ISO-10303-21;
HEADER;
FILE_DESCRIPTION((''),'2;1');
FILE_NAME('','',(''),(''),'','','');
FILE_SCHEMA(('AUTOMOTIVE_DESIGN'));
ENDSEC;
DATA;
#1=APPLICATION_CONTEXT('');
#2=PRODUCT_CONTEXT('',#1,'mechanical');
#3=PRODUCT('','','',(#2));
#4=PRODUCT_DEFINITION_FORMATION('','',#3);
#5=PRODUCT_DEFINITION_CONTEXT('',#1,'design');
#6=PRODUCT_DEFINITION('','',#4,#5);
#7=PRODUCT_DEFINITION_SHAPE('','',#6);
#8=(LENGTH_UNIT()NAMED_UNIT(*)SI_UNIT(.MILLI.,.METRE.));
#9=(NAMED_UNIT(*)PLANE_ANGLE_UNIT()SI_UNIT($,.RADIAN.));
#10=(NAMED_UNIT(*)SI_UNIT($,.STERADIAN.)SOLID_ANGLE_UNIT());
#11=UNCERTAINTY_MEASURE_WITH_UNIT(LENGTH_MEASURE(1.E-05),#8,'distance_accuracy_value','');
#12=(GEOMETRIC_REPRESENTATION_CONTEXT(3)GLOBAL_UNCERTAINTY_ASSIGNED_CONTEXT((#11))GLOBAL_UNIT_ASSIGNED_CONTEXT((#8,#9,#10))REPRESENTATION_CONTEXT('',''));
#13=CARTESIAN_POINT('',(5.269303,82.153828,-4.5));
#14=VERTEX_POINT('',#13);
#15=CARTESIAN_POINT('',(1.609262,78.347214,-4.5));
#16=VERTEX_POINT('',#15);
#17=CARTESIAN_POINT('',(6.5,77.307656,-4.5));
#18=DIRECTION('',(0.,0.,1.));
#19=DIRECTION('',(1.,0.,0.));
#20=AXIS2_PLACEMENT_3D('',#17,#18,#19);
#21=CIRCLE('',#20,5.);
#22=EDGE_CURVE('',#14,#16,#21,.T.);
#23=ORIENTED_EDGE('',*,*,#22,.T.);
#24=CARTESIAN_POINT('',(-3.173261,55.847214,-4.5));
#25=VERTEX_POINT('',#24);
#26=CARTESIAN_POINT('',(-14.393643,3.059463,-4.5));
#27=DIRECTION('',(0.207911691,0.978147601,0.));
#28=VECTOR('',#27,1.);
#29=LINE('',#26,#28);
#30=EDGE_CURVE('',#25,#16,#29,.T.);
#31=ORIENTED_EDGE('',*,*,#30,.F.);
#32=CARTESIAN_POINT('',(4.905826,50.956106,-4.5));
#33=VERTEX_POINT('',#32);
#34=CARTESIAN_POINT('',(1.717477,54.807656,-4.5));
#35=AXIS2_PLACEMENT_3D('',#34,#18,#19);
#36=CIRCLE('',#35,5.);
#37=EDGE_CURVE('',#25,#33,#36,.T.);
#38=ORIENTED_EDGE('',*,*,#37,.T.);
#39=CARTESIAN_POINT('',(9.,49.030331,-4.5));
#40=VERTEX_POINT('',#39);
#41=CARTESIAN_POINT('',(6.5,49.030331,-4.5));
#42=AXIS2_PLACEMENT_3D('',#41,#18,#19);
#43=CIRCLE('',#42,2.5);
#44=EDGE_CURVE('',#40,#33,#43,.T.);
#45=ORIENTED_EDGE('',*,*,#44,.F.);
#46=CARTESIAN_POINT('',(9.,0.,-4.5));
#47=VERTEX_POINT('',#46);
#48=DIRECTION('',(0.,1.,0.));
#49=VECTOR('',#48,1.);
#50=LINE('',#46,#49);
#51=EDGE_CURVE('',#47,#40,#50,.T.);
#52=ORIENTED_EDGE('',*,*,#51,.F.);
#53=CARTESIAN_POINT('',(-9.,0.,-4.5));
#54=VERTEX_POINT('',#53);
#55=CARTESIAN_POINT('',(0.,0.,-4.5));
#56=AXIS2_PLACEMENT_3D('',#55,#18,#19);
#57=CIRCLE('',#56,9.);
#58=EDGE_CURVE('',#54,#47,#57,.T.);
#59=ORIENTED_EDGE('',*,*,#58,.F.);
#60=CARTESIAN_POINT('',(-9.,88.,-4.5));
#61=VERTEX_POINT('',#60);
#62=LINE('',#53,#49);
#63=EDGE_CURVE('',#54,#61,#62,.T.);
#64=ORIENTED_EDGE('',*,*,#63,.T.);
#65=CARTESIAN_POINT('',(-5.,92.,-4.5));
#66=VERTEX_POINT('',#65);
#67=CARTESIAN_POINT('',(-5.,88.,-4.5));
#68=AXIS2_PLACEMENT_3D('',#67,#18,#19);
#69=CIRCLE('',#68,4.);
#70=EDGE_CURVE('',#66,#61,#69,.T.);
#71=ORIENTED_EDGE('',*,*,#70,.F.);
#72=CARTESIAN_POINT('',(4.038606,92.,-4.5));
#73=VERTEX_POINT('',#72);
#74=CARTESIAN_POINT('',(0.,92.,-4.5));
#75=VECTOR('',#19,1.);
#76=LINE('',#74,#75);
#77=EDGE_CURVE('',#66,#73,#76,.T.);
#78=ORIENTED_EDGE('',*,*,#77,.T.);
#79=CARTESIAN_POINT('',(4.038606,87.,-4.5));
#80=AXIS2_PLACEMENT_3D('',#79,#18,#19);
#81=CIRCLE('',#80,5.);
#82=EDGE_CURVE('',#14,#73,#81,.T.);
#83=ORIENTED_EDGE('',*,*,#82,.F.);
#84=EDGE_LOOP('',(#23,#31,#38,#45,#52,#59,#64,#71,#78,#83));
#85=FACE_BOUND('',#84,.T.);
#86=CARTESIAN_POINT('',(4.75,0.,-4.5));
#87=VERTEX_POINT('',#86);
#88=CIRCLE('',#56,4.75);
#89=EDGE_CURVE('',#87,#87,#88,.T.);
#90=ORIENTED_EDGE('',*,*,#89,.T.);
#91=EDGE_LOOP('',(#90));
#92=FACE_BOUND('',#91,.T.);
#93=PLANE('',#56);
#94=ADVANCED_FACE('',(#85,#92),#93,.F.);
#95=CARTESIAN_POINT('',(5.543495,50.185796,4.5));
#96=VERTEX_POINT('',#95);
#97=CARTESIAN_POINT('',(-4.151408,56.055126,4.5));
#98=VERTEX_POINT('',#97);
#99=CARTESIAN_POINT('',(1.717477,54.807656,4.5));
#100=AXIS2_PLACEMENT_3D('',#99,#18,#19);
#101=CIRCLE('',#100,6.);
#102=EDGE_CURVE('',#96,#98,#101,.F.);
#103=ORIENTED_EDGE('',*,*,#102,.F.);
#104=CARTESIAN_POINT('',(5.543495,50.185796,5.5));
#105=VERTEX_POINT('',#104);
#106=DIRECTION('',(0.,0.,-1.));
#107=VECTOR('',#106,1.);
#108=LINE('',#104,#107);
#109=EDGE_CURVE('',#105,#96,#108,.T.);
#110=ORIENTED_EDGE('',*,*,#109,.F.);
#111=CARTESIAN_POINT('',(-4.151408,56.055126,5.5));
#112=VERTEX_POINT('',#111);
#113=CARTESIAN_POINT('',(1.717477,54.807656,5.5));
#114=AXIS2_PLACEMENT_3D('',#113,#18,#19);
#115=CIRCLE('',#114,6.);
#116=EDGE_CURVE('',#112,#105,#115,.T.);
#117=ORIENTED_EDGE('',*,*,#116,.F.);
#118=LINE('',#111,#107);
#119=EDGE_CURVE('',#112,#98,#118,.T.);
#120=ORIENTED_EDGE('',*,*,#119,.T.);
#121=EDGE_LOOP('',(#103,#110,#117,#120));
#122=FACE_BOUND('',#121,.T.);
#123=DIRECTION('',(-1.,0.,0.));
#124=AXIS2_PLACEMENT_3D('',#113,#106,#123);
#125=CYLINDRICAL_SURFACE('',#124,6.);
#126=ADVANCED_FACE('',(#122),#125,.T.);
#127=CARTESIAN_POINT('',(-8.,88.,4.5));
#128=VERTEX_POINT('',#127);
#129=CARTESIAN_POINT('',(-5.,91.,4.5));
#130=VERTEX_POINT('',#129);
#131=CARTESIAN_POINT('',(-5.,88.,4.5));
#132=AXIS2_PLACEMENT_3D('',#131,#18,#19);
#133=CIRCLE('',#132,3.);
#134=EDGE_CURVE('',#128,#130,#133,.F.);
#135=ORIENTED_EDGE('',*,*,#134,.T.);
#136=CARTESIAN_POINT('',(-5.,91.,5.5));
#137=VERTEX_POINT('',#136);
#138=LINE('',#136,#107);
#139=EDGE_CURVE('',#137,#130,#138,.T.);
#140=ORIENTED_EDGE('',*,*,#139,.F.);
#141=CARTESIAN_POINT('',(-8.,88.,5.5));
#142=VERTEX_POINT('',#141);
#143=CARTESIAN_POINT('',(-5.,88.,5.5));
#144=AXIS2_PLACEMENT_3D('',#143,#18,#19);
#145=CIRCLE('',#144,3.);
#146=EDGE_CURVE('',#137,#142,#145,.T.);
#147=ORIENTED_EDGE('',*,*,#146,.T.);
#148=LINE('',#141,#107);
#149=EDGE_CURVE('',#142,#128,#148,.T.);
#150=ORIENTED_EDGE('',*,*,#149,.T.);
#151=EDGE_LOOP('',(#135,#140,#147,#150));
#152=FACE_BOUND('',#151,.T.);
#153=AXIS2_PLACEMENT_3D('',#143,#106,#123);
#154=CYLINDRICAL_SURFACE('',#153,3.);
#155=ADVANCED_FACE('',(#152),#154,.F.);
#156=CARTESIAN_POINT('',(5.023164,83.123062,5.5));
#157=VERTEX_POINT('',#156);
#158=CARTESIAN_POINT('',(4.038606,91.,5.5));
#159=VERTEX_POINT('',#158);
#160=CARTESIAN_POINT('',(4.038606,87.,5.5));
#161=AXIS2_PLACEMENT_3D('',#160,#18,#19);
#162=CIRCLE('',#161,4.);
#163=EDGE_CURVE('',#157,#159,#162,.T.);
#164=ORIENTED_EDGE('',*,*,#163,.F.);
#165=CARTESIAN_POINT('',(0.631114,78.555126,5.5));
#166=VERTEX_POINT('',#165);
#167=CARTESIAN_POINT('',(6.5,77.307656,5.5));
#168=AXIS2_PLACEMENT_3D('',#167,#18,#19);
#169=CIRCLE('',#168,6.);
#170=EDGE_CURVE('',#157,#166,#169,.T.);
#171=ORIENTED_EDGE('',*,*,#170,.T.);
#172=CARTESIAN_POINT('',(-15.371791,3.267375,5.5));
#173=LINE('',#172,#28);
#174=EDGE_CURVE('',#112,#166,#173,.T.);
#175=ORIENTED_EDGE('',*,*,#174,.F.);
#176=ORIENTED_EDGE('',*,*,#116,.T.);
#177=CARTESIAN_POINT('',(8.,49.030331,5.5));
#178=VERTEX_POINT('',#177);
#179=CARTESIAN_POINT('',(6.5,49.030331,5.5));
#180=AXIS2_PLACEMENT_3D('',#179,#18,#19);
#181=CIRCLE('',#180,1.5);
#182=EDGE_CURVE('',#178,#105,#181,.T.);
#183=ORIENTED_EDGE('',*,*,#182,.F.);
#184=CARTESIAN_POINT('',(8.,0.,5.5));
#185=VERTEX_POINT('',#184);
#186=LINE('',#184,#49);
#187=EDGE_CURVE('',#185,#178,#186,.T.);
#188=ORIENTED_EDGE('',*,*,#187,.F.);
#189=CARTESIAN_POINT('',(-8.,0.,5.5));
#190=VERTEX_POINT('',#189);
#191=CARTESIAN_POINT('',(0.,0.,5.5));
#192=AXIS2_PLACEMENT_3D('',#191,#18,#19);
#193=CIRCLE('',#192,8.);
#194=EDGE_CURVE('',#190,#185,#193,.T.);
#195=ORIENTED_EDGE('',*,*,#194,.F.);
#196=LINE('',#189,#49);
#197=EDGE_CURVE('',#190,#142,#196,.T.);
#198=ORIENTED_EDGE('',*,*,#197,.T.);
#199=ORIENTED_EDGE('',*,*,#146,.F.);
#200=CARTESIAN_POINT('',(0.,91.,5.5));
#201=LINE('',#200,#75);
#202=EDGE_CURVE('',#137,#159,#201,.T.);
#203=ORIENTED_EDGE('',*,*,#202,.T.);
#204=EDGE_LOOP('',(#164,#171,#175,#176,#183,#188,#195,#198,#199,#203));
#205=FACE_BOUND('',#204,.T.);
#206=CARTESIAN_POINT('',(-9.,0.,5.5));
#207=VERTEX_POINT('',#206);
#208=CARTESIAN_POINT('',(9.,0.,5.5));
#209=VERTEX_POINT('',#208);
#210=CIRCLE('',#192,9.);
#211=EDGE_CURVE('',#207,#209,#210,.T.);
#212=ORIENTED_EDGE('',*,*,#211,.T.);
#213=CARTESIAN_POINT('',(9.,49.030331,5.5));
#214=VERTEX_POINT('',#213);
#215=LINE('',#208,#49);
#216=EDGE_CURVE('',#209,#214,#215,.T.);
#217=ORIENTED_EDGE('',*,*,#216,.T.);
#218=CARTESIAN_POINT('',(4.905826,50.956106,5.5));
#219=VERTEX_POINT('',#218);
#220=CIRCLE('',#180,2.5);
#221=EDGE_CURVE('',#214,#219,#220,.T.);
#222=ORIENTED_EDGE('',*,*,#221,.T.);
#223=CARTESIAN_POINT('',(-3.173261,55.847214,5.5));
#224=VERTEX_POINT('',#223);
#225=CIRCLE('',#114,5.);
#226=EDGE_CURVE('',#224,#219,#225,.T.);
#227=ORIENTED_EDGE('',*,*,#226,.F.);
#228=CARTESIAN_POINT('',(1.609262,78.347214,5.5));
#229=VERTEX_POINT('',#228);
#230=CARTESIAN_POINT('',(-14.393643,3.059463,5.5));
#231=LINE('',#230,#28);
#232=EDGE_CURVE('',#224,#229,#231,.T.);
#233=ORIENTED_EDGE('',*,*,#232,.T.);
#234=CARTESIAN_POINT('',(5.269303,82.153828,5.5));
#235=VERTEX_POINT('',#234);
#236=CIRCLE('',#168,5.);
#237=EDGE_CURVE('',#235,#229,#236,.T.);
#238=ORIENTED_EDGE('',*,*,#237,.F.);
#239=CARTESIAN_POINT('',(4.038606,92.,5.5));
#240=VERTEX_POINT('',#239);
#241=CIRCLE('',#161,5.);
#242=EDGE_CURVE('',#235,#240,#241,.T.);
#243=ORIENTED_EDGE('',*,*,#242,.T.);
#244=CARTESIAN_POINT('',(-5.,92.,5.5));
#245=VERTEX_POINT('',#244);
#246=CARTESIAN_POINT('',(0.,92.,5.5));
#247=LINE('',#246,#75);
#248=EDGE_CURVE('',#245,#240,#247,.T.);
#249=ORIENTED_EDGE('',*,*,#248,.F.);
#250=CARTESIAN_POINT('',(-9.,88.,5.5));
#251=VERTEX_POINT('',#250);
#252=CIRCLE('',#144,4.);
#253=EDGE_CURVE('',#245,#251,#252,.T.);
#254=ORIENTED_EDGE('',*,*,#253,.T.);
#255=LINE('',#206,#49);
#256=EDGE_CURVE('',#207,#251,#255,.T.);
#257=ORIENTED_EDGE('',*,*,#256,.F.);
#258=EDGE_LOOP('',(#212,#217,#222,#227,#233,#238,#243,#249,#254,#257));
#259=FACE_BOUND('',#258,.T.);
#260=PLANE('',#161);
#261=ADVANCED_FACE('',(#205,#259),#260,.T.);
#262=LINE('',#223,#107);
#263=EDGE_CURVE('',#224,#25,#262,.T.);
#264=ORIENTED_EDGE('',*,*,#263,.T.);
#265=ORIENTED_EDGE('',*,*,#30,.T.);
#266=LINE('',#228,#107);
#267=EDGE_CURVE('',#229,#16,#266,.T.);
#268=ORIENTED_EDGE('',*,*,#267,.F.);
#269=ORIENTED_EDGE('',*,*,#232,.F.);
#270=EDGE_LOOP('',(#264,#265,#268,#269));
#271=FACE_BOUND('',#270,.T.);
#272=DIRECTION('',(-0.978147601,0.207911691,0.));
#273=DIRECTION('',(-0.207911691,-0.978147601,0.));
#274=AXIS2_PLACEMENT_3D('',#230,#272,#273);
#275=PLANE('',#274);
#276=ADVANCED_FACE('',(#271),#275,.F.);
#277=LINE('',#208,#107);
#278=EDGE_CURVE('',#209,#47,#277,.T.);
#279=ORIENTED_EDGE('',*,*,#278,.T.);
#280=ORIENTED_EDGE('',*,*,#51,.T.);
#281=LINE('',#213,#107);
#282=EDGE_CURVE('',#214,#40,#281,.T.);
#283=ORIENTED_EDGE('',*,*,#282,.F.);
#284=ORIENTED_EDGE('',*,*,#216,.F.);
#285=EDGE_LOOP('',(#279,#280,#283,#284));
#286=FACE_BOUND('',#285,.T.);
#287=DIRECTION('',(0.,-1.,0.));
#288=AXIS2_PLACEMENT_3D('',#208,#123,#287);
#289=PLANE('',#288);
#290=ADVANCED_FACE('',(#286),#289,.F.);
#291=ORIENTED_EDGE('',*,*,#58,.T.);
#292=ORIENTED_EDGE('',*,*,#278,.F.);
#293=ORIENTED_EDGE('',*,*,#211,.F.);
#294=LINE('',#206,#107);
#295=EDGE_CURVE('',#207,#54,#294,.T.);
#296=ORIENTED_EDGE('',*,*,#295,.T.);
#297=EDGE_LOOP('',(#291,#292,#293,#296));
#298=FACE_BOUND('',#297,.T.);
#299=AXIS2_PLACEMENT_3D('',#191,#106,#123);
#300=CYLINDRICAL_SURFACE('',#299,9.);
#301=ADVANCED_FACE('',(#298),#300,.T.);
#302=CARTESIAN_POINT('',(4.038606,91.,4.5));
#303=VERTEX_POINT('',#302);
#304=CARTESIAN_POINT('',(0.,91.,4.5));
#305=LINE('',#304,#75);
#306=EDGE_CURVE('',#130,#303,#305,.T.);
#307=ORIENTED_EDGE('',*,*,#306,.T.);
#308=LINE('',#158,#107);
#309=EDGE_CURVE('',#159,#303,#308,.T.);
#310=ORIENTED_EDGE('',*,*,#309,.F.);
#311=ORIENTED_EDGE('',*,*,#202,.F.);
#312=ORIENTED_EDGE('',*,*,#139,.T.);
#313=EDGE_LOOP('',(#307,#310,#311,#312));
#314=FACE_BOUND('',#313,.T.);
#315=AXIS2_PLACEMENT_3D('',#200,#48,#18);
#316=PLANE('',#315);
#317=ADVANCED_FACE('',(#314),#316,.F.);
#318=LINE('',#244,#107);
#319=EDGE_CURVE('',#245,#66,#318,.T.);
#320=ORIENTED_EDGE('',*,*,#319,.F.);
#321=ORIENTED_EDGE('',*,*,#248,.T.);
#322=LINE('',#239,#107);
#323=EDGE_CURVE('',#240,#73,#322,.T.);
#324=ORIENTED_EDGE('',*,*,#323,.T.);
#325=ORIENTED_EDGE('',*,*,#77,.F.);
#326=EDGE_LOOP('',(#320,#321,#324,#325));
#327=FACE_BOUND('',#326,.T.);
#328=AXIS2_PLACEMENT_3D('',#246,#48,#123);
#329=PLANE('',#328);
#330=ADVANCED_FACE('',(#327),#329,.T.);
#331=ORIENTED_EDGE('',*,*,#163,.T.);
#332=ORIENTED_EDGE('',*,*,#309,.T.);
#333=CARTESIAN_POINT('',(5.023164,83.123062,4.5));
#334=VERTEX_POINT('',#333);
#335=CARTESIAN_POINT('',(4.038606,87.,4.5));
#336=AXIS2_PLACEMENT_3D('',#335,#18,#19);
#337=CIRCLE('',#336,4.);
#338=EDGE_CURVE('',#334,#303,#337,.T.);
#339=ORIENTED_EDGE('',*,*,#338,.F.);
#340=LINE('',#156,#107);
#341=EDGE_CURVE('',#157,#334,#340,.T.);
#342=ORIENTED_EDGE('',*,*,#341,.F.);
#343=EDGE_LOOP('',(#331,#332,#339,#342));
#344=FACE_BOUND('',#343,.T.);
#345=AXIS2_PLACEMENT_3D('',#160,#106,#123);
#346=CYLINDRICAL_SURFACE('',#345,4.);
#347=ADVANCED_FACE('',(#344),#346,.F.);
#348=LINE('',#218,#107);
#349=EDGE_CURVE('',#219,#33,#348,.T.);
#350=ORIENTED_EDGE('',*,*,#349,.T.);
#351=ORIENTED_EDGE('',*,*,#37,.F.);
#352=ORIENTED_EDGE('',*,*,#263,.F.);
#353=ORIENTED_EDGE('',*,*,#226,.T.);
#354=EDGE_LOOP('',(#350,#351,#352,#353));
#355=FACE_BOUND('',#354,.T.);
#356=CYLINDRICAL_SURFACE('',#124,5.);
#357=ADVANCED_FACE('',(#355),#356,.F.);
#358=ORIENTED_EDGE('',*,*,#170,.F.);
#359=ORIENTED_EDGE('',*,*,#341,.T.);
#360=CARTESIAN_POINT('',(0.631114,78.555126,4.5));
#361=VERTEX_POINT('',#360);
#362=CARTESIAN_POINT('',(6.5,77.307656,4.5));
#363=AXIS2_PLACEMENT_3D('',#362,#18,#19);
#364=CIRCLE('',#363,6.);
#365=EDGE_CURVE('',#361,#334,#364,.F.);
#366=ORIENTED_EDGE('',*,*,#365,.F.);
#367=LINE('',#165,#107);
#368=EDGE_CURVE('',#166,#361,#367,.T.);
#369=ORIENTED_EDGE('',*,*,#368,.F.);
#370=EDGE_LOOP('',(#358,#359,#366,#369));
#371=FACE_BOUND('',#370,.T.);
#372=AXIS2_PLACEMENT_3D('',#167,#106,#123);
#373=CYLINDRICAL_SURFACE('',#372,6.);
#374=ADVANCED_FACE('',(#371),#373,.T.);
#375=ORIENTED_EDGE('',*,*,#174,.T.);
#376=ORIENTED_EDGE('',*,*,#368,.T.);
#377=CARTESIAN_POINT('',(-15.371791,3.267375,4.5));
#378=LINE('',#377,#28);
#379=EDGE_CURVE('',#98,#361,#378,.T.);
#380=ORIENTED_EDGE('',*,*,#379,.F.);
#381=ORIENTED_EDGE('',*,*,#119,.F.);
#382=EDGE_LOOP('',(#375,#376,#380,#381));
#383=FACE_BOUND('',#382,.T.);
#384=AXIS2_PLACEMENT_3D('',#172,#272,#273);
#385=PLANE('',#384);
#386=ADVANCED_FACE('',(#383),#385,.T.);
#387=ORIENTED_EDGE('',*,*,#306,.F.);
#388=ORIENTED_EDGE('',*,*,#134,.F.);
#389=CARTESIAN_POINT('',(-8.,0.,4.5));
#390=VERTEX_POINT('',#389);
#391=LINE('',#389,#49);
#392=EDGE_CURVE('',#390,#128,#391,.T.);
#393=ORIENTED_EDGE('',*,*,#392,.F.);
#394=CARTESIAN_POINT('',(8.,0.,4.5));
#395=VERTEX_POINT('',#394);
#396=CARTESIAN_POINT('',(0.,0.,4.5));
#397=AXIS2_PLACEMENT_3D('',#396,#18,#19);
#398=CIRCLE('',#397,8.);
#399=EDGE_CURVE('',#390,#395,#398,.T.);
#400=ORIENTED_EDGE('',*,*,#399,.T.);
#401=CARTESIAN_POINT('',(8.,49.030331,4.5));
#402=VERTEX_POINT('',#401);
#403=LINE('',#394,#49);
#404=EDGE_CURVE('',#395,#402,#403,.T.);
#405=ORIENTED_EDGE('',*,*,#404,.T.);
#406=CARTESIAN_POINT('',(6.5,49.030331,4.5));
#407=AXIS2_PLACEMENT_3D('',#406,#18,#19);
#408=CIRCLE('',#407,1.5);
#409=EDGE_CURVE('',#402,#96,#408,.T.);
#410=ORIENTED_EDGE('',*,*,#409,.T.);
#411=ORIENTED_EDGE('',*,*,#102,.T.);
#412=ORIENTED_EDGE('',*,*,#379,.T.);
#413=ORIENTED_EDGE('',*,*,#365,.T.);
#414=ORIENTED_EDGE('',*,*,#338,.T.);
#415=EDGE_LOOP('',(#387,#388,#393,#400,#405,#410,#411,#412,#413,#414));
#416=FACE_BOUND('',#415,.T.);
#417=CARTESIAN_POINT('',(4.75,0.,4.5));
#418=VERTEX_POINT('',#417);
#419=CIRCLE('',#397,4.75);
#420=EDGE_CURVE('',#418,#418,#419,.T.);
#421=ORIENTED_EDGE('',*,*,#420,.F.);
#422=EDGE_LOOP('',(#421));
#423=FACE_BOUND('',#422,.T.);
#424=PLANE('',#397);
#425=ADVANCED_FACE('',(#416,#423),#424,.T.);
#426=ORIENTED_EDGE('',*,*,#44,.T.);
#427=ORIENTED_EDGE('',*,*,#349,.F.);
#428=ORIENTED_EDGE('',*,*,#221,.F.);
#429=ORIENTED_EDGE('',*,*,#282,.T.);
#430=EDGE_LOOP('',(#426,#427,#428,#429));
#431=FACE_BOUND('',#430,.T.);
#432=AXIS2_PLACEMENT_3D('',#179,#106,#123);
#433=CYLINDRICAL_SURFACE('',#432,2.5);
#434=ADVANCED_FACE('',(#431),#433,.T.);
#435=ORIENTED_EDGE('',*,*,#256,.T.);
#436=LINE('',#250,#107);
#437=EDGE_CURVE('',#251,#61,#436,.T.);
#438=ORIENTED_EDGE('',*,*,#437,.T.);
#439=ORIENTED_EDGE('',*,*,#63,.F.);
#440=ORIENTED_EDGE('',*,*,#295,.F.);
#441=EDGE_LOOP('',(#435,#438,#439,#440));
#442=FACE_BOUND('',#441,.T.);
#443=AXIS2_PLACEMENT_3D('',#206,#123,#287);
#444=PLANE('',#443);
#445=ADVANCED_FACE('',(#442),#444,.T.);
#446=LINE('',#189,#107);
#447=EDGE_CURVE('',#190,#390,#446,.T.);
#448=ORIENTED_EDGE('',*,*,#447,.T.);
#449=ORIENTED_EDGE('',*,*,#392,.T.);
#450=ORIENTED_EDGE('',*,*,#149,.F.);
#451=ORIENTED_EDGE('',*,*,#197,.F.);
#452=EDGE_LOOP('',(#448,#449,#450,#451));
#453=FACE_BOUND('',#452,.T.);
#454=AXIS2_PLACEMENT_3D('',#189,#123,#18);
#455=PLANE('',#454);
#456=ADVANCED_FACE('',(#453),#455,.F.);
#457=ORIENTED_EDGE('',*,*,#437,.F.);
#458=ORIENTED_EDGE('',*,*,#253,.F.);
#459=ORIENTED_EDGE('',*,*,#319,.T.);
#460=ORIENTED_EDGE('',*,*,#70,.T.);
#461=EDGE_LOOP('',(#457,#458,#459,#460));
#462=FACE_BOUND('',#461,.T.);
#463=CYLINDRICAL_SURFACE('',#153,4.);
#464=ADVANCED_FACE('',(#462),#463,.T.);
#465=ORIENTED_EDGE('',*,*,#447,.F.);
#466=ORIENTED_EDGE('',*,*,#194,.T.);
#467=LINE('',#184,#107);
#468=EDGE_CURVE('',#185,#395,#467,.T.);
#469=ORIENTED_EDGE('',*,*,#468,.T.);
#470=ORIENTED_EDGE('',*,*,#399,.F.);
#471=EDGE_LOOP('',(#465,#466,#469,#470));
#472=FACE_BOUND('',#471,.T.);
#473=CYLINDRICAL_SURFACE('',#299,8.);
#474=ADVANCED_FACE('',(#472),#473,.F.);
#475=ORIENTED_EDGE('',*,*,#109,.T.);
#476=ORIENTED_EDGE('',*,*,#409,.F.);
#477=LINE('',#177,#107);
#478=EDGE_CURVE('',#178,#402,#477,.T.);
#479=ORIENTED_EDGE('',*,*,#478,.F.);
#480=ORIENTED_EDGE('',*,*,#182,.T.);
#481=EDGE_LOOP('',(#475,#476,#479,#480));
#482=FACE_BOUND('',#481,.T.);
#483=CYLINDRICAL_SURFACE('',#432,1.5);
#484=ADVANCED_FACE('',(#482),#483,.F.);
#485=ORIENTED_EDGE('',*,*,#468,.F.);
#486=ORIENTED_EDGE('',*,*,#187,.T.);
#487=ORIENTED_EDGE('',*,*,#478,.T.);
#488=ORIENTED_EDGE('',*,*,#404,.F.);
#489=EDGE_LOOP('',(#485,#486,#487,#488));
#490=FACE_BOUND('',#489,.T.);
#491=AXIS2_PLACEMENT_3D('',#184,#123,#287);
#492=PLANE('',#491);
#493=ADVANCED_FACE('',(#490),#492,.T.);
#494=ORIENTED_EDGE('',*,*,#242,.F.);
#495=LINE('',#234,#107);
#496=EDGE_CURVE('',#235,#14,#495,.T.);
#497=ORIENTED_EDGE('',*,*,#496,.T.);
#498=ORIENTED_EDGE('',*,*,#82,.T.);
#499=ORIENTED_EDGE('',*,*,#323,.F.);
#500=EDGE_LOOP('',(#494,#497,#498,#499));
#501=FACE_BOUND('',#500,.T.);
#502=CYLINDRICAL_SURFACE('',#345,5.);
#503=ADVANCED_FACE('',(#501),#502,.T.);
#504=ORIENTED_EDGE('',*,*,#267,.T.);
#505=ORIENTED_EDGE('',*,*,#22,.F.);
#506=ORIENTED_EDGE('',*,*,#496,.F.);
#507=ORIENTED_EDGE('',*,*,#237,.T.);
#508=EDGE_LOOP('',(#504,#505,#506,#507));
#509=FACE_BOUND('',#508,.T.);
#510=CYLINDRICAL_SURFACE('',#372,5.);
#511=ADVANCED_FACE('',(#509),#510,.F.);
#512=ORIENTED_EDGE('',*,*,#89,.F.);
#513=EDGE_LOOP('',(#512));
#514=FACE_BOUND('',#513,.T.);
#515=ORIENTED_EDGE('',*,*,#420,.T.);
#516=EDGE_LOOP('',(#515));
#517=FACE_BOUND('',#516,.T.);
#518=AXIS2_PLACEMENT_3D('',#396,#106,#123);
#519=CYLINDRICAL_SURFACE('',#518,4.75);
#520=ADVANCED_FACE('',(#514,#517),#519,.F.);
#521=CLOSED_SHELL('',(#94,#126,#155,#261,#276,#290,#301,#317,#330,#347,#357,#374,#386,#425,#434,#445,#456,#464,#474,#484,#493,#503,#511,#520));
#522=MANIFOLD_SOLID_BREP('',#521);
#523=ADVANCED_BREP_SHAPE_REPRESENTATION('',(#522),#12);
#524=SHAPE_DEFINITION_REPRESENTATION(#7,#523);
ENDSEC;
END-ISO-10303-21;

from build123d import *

# Parameters (mm, degrees)
SKETCH2_R           = 4.75
BOSS_EXTRUDE2_DEPTH = 4.5
BOSS_EXTRUDE3_START = 5.5
BOSS_EXTRUDE3_DEPTH = 10


with BuildPart() as part:
    # Sketch2 → Boss-Extrude2 (new, symmetric)
    with BuildSketch(Plane(origin=(0, 0, 0), x_dir=(0, 1, 0), z_dir=(0, 0, 1))):
        with BuildLine():
            Line((0, 8), (88, 8))
            ThreePointArc((88, 8), (90.121320344, 7.121320344), (91, 5))
            Line((91, 5), (91, -4.038605995))
            ThreePointArc((91, -4.038605995), (87.49610936, -8.007721199), (83.123062249, -5.023163597))
            ThreePointArc((83.123062249, -5.023163597), (81.466210794, -2.174908223), (78.555125766, -0.631114396))
            Line((78.555125766, -0.631114396), (56.055125766, 4.151408242))
            ThreePointArc((56.055125766, 4.151408242), (49.674974507, 1.389866291), (50.185796102, -5.543495472))
            ThreePointArc((50.185796102, -5.543495472), (50.387673623, -7.138452508), (49.030331222, -8))
            Line((49.030331222, -8), (0, -8))
            ThreePointArc((0, -8), (-8, 0), (0, 8))
        make_face()
        with Locations(Location((0, 0, 0), (0, 0, 270))):
            Circle(SKETCH2_R, mode=Mode.SUBTRACT)
    extrude(amount=BOSS_EXTRUDE2_DEPTH, both=True)

    # Sketch2<4> → Boss-Extrude3 (add)
    with BuildSketch(Plane(origin=(0, 0, 0), x_dir=(0, 1, 0), z_dir=(0, 0, 1)).offset(BOSS_EXTRUDE3_START)):
        with BuildLine():
            ThreePointArc((78.347214076, -1.609261996), (80.773118265, -2.895756853), (82.153827811, -5.269302997))
            ThreePointArc((82.153827811, -5.269302997), (87.6201367, -9), (92, -4.038605995))
            Line((92, -4.038605995), (92, 5))
            ThreePointArc((92, 5), (90.828427125, 7.828427125), (88, 9))
            Line((88, 9), (0, 9))
            ThreePointArc((0, 9), (-9, 0), (0, -9))
            Line((0, -9), (49.030331222, -9))
            ThreePointArc((49.030331222, -9), (51.292568558, -7.564087513), (50.956106022, -4.905825787))
            ThreePointArc((50.956106022, -4.905825787), (50.53042136, 0.871975682), (55.847214076, 3.173260641))
            Line((55.847214076, 3.173260641), (78.347214076, -1.609261996))
        make_face()
        with BuildLine():
            ThreePointArc((0, 8), (-8, 0), (0, -8))
            Line((0, -8), (49.030331222, -8))
            ThreePointArc((49.030331222, -8), (50.387673623, -7.138452508), (50.185796102, -5.543495472))
            ThreePointArc((50.185796102, -5.543495472), (49.674974507, 1.389866291), (56.055125766, 4.151408242))
            Line((56.055125766, 4.151408242), (78.555125766, -0.631114396))
            ThreePointArc((78.555125766, -0.631114396), (81.466210794, -2.174908223), (83.123062249, -5.023163597))
            ThreePointArc((83.123062249, -5.023163597), (87.49610936, -8.007721199), (91, -4.038605995))
            Line((91, -4.038605995), (91, 5))
            ThreePointArc((91, 5), (90.121320344, 7.121320344), (88, 8))
            Line((88, 8), (0, 8))
        make_face(mode=Mode.SUBTRACT)
    extrude(amount=-BOSS_EXTRUDE3_DEPTH)


solid = part.part
